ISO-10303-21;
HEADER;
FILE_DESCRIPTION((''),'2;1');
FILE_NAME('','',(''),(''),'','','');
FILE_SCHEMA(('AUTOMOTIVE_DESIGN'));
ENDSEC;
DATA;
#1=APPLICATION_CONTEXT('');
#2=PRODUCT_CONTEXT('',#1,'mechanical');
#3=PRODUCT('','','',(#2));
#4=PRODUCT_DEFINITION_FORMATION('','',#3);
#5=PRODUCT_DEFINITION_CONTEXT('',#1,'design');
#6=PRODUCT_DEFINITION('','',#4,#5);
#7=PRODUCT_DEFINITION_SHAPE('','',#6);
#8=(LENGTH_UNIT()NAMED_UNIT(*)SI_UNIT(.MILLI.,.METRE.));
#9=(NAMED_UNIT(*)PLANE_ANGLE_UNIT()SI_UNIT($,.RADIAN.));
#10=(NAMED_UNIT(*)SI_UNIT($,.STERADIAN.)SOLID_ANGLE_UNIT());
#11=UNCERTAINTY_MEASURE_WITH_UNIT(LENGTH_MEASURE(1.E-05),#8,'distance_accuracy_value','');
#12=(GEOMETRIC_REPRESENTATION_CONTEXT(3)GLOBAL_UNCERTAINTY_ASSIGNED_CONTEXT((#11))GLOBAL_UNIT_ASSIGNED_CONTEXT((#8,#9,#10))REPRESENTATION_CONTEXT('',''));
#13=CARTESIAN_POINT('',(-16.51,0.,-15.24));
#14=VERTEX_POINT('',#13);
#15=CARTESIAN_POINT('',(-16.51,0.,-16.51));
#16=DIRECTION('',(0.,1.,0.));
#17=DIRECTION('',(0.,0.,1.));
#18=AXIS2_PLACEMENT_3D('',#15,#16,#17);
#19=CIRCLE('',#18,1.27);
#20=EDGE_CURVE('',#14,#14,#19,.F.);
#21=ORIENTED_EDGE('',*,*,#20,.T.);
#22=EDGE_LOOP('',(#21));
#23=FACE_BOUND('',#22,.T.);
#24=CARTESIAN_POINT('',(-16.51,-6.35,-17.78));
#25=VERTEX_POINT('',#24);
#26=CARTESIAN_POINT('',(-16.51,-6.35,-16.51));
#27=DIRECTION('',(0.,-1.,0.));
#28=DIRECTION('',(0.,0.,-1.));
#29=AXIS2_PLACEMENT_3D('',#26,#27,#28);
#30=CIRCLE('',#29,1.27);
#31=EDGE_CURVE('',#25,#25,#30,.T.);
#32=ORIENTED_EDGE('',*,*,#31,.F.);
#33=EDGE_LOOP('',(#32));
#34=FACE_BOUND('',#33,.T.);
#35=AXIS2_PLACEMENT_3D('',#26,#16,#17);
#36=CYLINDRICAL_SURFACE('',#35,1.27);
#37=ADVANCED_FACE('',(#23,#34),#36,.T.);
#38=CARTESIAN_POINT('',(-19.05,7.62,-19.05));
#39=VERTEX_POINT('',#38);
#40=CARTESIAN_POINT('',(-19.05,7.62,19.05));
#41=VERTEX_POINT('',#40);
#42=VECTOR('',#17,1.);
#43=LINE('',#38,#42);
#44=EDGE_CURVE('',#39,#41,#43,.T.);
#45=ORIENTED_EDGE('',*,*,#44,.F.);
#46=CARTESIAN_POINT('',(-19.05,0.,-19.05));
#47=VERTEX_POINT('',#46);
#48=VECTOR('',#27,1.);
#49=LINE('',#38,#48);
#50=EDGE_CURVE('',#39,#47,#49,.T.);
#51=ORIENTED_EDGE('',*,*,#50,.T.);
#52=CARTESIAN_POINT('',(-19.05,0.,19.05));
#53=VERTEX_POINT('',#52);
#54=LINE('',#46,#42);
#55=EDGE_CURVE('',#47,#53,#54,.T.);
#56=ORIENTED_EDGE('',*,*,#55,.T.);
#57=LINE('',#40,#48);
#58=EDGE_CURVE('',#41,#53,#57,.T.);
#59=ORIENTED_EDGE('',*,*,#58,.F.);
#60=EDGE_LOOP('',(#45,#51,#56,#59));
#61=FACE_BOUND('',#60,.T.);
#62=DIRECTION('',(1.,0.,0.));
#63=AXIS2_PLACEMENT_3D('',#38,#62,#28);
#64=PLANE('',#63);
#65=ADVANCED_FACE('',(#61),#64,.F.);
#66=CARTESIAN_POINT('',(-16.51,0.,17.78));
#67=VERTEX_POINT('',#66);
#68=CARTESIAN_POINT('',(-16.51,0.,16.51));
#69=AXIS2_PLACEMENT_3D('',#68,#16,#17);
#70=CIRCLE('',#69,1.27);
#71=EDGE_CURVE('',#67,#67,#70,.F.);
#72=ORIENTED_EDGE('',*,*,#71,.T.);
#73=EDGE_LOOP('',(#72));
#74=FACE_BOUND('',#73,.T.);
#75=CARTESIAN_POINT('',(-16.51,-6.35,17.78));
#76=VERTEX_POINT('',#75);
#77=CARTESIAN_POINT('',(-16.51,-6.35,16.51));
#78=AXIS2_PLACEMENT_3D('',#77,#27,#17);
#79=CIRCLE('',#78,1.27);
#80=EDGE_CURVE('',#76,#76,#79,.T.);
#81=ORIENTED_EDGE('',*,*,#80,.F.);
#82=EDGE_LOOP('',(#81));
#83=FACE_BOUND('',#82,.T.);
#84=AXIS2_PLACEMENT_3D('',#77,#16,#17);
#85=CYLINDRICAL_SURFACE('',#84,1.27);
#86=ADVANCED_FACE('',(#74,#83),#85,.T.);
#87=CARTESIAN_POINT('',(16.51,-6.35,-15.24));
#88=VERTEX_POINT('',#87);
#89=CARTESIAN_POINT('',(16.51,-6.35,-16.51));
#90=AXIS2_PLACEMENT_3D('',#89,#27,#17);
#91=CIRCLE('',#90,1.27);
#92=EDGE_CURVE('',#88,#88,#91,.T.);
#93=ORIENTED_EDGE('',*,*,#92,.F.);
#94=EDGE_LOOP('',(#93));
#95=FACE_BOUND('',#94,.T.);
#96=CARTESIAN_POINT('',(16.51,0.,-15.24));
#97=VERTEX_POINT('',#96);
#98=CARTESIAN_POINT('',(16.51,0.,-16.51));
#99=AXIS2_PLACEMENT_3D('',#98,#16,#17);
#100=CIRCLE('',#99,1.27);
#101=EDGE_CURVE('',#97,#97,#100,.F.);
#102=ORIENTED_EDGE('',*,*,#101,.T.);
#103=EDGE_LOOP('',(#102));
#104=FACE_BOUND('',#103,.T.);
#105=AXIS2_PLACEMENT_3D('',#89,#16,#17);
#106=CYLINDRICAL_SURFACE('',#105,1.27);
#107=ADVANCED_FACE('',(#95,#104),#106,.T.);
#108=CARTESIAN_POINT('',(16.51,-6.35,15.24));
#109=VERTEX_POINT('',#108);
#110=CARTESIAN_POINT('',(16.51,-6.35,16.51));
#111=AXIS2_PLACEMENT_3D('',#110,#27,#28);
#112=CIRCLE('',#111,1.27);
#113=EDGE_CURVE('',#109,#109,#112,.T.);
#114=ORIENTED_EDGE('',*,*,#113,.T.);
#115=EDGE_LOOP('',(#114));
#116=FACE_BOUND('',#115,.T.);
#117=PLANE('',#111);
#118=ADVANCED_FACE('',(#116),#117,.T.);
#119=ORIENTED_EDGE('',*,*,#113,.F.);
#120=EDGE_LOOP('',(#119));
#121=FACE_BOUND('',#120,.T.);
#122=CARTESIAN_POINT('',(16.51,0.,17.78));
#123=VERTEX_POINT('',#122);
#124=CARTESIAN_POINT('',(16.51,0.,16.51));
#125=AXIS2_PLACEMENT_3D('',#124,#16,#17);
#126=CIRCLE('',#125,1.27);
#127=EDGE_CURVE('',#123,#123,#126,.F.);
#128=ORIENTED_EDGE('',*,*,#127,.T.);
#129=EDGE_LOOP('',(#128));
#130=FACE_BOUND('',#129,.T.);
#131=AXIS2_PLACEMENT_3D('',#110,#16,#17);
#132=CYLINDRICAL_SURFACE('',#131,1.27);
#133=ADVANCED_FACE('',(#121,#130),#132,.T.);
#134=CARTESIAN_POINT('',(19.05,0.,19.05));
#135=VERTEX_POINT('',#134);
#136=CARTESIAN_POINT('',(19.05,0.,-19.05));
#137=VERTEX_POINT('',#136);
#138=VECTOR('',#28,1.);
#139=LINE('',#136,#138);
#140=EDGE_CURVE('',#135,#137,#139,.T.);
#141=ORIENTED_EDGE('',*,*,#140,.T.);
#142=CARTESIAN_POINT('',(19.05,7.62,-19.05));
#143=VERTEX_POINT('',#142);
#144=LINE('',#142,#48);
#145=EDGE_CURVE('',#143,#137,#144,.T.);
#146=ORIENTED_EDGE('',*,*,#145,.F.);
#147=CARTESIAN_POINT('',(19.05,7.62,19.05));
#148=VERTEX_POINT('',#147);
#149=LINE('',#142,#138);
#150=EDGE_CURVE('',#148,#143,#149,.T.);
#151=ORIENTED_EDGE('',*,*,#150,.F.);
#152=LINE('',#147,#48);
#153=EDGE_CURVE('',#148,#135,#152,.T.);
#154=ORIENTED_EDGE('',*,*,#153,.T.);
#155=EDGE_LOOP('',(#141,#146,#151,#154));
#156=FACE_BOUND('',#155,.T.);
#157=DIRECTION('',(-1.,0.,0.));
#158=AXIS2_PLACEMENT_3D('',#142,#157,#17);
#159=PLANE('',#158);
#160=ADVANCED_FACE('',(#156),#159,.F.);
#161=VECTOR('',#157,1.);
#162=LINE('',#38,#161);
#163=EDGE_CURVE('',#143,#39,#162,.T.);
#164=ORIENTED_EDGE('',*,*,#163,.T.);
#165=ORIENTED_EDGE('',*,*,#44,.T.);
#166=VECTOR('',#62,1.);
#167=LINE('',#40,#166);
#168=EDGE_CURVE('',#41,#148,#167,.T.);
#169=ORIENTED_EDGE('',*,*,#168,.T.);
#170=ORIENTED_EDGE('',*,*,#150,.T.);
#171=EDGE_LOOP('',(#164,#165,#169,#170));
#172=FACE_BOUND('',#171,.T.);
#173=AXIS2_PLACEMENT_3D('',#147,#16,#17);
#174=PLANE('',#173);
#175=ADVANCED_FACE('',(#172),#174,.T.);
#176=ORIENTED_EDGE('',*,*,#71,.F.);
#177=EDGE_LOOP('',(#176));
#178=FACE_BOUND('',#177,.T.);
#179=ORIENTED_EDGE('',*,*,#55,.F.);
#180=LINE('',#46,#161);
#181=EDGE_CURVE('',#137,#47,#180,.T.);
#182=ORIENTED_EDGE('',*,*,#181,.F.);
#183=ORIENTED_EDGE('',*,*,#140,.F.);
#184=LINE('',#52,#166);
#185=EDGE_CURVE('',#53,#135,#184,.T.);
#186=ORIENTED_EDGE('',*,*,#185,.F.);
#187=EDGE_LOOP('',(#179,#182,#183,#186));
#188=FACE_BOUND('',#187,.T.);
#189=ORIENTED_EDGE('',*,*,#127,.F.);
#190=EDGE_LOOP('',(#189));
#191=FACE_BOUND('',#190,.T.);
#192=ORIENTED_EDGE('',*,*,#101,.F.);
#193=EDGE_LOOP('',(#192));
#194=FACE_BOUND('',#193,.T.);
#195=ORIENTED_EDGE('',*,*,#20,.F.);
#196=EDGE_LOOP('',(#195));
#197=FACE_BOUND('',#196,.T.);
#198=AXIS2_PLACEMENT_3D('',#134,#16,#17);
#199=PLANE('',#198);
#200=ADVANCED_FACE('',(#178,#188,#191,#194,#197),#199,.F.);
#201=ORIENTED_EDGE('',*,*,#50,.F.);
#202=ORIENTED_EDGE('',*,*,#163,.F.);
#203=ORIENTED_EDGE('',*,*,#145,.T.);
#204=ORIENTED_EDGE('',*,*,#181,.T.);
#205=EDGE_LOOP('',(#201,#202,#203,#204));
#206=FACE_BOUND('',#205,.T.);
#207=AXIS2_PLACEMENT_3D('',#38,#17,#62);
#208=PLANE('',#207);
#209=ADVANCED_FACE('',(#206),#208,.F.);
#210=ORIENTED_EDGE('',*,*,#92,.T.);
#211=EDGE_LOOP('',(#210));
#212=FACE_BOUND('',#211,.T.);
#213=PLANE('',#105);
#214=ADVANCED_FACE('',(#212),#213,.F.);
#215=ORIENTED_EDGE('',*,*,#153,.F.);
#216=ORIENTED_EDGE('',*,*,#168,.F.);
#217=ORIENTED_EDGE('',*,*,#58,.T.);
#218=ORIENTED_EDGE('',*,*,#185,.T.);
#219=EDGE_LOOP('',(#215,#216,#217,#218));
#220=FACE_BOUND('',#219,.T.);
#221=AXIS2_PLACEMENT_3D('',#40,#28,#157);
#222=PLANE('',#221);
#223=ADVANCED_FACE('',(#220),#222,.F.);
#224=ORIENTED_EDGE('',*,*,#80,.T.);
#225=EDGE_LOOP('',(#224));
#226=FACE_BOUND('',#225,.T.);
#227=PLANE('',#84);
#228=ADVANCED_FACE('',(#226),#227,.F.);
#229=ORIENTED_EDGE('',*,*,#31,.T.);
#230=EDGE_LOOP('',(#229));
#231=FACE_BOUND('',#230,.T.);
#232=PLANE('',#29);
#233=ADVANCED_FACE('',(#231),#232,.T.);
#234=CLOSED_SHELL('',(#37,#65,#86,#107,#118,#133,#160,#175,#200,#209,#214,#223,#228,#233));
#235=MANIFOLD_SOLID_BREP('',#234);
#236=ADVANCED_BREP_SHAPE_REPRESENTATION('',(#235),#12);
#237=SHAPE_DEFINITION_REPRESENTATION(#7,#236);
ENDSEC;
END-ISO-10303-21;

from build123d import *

# Parameters (mm, degrees)
SKETCH1_W      = 38.1
SKETCH1_H      = 38.1
EXTRUDE1_DEPTH = 7.62
SKETCH2_R      = 1.27
EXTRUDE2_DEPTH = 6.35


with BuildPart() as part:
    # Sketch1 → Extrude1 (new body)
    with BuildSketch(Plane(origin=(0, 0, 0), x_dir=(1, 0, 0), z_dir=(0, 1, 0))):
        Rectangle(SKETCH1_W, SKETCH1_H)
    extrude(amount=EXTRUDE1_DEPTH)

    # Sketch2 → Extrude2 (add)
    with BuildSketch(Plane.XZ):
        with Locations((16.51, 16.51)):
            Circle(SKETCH2_R)
        with Locations((16.51, -16.51)):
            Circle(SKETCH2_R)
        with Locations((-16.51, -16.51)):
            Circle(SKETCH2_R)
        with Locations((-16.51, 16.51)):
            Circle(SKETCH2_R)
    extrude(amount=EXTRUDE2_DEPTH)


solid = part.part
